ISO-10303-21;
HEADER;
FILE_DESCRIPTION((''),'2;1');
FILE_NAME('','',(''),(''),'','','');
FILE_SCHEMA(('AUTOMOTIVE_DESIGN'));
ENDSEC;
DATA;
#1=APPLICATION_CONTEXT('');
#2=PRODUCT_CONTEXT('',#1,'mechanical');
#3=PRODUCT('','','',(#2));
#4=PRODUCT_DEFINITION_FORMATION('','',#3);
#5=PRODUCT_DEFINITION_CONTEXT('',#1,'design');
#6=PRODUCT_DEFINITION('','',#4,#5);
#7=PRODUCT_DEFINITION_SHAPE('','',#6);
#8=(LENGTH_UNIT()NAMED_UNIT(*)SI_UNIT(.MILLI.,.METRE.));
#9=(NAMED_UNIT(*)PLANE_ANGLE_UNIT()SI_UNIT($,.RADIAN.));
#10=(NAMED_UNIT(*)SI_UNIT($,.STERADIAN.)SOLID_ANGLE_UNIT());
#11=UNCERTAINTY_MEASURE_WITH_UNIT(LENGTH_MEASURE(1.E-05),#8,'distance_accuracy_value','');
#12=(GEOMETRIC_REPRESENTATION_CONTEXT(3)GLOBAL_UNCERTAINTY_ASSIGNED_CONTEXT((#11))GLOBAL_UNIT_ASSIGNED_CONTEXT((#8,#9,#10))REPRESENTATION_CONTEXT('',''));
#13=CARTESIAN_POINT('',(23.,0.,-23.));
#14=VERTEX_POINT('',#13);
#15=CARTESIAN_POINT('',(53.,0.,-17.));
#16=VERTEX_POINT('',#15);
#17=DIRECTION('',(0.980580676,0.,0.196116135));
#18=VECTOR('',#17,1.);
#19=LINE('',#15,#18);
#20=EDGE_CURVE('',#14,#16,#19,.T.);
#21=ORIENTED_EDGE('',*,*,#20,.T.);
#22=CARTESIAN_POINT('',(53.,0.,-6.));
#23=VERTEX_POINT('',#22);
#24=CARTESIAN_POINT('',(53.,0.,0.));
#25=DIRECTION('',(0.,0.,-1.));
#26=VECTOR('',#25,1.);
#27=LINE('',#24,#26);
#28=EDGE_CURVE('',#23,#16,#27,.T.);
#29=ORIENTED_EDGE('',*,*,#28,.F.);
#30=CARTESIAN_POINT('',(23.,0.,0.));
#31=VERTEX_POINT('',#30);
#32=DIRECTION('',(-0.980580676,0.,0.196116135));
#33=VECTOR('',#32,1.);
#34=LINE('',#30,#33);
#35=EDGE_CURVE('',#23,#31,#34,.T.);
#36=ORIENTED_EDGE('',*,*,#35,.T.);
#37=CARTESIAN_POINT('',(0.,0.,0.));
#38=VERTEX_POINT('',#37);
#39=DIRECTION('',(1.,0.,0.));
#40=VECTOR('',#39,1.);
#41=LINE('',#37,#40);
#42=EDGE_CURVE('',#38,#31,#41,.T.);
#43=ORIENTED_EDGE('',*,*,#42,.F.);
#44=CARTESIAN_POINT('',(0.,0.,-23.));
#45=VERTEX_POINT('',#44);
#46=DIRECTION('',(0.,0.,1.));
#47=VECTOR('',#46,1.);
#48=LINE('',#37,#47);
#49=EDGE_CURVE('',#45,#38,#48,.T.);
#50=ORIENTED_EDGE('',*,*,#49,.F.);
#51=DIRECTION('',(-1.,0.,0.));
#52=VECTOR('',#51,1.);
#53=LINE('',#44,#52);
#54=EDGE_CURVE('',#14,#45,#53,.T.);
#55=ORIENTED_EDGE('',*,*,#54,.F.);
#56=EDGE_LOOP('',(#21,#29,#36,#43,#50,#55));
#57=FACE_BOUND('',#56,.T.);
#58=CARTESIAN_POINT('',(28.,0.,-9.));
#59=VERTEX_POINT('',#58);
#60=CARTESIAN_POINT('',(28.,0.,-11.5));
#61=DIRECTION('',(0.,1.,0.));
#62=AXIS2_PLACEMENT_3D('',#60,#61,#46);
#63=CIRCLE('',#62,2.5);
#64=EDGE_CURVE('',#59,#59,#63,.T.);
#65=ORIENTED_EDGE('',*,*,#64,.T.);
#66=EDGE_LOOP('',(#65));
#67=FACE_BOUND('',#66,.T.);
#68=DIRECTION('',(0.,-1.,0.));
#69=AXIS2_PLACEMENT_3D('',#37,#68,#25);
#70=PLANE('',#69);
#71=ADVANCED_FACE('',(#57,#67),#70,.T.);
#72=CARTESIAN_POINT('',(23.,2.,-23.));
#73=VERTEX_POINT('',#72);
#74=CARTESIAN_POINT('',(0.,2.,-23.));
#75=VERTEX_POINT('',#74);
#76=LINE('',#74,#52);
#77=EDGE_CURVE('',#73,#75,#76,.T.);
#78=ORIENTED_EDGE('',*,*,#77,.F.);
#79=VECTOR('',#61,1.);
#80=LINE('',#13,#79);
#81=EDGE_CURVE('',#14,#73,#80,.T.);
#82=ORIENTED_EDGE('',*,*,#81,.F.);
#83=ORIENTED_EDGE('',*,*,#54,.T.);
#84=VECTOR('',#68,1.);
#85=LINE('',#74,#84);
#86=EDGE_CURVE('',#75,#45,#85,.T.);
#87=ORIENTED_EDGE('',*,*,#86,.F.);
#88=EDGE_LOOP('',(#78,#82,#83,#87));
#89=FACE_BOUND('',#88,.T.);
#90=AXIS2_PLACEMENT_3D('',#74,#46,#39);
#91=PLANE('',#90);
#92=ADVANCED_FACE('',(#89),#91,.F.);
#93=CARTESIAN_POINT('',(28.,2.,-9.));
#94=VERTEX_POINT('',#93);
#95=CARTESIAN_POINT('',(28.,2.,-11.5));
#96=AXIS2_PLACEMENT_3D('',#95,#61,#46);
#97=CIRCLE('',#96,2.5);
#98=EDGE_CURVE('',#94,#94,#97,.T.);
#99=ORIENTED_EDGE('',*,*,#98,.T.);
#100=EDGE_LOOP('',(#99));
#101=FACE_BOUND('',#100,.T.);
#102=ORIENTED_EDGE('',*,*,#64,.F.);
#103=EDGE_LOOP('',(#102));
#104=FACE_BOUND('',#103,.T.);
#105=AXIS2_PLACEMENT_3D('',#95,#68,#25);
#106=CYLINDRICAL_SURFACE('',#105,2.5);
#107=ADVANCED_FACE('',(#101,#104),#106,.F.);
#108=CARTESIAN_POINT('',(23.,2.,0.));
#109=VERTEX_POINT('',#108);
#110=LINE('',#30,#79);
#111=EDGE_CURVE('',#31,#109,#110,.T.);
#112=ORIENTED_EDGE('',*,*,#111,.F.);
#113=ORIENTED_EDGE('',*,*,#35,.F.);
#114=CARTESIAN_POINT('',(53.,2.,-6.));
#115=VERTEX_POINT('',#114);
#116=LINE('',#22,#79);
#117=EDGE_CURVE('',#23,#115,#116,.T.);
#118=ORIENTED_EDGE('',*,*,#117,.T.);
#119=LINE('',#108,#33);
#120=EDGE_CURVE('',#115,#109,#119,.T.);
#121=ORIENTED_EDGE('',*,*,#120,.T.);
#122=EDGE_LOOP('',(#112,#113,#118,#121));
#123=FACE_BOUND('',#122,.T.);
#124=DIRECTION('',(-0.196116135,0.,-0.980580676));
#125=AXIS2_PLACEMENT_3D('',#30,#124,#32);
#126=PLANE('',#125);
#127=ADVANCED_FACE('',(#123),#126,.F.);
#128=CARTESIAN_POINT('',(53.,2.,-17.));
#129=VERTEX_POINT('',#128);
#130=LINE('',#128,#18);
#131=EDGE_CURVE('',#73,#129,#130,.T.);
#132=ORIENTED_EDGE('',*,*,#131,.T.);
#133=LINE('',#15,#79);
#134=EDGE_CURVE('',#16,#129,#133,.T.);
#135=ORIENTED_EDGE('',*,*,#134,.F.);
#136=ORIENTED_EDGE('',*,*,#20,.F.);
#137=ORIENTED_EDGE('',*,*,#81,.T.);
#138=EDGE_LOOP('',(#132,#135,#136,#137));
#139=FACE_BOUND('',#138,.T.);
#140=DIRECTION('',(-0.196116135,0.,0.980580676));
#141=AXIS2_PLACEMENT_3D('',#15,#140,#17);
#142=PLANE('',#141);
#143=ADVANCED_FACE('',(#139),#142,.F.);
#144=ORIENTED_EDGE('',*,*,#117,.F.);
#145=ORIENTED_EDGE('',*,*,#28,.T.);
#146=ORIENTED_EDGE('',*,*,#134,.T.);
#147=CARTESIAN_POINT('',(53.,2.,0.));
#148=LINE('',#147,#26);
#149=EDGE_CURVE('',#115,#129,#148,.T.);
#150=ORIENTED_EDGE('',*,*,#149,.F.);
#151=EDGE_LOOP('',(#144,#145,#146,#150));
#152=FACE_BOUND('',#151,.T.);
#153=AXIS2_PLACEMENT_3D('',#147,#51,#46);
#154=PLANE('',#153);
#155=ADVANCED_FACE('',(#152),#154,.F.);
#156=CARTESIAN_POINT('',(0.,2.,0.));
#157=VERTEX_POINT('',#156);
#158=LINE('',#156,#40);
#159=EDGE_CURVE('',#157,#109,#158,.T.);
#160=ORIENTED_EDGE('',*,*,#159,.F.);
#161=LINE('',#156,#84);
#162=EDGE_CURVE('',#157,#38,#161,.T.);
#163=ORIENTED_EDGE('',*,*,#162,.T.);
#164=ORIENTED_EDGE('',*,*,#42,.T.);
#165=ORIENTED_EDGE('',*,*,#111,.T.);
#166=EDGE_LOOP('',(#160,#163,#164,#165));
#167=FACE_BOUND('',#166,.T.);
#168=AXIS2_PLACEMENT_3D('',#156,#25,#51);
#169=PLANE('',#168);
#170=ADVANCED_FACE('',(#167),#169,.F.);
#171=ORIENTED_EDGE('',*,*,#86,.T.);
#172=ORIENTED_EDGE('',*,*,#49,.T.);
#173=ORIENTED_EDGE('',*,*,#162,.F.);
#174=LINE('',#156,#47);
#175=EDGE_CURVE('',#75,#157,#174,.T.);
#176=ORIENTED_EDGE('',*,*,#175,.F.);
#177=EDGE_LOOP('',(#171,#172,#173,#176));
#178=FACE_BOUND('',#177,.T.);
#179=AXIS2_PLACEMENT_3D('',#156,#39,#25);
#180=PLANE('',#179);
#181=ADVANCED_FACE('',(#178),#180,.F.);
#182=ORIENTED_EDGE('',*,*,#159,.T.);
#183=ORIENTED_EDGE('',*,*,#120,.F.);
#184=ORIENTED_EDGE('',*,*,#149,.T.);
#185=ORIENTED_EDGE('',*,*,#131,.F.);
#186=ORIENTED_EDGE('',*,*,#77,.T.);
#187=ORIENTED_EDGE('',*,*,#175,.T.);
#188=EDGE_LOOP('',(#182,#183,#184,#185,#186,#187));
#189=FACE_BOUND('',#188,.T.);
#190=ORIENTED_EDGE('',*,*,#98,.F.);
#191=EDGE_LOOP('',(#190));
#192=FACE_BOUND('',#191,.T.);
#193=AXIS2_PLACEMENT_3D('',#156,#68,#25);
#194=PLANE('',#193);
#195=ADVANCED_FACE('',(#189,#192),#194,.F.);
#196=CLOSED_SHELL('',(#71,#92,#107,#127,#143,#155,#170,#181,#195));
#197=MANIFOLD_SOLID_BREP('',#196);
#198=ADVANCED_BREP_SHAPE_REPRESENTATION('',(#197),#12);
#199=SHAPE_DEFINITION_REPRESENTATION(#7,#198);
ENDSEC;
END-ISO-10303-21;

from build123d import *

# Parameters (mm, degrees)
SKETCH_1_W          = 53
SKETCH_1_H          = 23
SKETCH_1_R          = 2.5
EXTRUDE_1_DEPTH     = 2
CUT_EXTRUDE_1_DEPTH = 2


with BuildPart() as part:
    # 草图1 → 凸台-拉伸1 (new body)
    with BuildSketch(Plane(origin=(0, 0, 0), x_dir=(1, 0, 0), z_dir=(0, 1, 0))):
        with Locations((26.5, 11.5)):
            Rectangle(SKETCH_1_W, SKETCH_1_H)
        with Locations(Location((28, 11.5, 0), (0, 0, 270))):
            Circle(SKETCH_1_R, mode=Mode.SUBTRACT)
    extrude(amount=EXTRUDE_1_DEPTH)

    # 草图2 → 切除-拉伸1 (cut)
    with BuildSketch(Plane(origin=(0, 2, 0), x_dir=(1, 0, 0), z_dir=(0, 1, 0))):
        Polygon((53, 23), (53, 17), (23, 23), align=None)
        Polygon((23, 0), (53, 6), (53, 0), align=None)
    extrude(amount=-CUT_EXTRUDE_1_DEPTH, mode=Mode.SUBTRACT)


solid = part.part
